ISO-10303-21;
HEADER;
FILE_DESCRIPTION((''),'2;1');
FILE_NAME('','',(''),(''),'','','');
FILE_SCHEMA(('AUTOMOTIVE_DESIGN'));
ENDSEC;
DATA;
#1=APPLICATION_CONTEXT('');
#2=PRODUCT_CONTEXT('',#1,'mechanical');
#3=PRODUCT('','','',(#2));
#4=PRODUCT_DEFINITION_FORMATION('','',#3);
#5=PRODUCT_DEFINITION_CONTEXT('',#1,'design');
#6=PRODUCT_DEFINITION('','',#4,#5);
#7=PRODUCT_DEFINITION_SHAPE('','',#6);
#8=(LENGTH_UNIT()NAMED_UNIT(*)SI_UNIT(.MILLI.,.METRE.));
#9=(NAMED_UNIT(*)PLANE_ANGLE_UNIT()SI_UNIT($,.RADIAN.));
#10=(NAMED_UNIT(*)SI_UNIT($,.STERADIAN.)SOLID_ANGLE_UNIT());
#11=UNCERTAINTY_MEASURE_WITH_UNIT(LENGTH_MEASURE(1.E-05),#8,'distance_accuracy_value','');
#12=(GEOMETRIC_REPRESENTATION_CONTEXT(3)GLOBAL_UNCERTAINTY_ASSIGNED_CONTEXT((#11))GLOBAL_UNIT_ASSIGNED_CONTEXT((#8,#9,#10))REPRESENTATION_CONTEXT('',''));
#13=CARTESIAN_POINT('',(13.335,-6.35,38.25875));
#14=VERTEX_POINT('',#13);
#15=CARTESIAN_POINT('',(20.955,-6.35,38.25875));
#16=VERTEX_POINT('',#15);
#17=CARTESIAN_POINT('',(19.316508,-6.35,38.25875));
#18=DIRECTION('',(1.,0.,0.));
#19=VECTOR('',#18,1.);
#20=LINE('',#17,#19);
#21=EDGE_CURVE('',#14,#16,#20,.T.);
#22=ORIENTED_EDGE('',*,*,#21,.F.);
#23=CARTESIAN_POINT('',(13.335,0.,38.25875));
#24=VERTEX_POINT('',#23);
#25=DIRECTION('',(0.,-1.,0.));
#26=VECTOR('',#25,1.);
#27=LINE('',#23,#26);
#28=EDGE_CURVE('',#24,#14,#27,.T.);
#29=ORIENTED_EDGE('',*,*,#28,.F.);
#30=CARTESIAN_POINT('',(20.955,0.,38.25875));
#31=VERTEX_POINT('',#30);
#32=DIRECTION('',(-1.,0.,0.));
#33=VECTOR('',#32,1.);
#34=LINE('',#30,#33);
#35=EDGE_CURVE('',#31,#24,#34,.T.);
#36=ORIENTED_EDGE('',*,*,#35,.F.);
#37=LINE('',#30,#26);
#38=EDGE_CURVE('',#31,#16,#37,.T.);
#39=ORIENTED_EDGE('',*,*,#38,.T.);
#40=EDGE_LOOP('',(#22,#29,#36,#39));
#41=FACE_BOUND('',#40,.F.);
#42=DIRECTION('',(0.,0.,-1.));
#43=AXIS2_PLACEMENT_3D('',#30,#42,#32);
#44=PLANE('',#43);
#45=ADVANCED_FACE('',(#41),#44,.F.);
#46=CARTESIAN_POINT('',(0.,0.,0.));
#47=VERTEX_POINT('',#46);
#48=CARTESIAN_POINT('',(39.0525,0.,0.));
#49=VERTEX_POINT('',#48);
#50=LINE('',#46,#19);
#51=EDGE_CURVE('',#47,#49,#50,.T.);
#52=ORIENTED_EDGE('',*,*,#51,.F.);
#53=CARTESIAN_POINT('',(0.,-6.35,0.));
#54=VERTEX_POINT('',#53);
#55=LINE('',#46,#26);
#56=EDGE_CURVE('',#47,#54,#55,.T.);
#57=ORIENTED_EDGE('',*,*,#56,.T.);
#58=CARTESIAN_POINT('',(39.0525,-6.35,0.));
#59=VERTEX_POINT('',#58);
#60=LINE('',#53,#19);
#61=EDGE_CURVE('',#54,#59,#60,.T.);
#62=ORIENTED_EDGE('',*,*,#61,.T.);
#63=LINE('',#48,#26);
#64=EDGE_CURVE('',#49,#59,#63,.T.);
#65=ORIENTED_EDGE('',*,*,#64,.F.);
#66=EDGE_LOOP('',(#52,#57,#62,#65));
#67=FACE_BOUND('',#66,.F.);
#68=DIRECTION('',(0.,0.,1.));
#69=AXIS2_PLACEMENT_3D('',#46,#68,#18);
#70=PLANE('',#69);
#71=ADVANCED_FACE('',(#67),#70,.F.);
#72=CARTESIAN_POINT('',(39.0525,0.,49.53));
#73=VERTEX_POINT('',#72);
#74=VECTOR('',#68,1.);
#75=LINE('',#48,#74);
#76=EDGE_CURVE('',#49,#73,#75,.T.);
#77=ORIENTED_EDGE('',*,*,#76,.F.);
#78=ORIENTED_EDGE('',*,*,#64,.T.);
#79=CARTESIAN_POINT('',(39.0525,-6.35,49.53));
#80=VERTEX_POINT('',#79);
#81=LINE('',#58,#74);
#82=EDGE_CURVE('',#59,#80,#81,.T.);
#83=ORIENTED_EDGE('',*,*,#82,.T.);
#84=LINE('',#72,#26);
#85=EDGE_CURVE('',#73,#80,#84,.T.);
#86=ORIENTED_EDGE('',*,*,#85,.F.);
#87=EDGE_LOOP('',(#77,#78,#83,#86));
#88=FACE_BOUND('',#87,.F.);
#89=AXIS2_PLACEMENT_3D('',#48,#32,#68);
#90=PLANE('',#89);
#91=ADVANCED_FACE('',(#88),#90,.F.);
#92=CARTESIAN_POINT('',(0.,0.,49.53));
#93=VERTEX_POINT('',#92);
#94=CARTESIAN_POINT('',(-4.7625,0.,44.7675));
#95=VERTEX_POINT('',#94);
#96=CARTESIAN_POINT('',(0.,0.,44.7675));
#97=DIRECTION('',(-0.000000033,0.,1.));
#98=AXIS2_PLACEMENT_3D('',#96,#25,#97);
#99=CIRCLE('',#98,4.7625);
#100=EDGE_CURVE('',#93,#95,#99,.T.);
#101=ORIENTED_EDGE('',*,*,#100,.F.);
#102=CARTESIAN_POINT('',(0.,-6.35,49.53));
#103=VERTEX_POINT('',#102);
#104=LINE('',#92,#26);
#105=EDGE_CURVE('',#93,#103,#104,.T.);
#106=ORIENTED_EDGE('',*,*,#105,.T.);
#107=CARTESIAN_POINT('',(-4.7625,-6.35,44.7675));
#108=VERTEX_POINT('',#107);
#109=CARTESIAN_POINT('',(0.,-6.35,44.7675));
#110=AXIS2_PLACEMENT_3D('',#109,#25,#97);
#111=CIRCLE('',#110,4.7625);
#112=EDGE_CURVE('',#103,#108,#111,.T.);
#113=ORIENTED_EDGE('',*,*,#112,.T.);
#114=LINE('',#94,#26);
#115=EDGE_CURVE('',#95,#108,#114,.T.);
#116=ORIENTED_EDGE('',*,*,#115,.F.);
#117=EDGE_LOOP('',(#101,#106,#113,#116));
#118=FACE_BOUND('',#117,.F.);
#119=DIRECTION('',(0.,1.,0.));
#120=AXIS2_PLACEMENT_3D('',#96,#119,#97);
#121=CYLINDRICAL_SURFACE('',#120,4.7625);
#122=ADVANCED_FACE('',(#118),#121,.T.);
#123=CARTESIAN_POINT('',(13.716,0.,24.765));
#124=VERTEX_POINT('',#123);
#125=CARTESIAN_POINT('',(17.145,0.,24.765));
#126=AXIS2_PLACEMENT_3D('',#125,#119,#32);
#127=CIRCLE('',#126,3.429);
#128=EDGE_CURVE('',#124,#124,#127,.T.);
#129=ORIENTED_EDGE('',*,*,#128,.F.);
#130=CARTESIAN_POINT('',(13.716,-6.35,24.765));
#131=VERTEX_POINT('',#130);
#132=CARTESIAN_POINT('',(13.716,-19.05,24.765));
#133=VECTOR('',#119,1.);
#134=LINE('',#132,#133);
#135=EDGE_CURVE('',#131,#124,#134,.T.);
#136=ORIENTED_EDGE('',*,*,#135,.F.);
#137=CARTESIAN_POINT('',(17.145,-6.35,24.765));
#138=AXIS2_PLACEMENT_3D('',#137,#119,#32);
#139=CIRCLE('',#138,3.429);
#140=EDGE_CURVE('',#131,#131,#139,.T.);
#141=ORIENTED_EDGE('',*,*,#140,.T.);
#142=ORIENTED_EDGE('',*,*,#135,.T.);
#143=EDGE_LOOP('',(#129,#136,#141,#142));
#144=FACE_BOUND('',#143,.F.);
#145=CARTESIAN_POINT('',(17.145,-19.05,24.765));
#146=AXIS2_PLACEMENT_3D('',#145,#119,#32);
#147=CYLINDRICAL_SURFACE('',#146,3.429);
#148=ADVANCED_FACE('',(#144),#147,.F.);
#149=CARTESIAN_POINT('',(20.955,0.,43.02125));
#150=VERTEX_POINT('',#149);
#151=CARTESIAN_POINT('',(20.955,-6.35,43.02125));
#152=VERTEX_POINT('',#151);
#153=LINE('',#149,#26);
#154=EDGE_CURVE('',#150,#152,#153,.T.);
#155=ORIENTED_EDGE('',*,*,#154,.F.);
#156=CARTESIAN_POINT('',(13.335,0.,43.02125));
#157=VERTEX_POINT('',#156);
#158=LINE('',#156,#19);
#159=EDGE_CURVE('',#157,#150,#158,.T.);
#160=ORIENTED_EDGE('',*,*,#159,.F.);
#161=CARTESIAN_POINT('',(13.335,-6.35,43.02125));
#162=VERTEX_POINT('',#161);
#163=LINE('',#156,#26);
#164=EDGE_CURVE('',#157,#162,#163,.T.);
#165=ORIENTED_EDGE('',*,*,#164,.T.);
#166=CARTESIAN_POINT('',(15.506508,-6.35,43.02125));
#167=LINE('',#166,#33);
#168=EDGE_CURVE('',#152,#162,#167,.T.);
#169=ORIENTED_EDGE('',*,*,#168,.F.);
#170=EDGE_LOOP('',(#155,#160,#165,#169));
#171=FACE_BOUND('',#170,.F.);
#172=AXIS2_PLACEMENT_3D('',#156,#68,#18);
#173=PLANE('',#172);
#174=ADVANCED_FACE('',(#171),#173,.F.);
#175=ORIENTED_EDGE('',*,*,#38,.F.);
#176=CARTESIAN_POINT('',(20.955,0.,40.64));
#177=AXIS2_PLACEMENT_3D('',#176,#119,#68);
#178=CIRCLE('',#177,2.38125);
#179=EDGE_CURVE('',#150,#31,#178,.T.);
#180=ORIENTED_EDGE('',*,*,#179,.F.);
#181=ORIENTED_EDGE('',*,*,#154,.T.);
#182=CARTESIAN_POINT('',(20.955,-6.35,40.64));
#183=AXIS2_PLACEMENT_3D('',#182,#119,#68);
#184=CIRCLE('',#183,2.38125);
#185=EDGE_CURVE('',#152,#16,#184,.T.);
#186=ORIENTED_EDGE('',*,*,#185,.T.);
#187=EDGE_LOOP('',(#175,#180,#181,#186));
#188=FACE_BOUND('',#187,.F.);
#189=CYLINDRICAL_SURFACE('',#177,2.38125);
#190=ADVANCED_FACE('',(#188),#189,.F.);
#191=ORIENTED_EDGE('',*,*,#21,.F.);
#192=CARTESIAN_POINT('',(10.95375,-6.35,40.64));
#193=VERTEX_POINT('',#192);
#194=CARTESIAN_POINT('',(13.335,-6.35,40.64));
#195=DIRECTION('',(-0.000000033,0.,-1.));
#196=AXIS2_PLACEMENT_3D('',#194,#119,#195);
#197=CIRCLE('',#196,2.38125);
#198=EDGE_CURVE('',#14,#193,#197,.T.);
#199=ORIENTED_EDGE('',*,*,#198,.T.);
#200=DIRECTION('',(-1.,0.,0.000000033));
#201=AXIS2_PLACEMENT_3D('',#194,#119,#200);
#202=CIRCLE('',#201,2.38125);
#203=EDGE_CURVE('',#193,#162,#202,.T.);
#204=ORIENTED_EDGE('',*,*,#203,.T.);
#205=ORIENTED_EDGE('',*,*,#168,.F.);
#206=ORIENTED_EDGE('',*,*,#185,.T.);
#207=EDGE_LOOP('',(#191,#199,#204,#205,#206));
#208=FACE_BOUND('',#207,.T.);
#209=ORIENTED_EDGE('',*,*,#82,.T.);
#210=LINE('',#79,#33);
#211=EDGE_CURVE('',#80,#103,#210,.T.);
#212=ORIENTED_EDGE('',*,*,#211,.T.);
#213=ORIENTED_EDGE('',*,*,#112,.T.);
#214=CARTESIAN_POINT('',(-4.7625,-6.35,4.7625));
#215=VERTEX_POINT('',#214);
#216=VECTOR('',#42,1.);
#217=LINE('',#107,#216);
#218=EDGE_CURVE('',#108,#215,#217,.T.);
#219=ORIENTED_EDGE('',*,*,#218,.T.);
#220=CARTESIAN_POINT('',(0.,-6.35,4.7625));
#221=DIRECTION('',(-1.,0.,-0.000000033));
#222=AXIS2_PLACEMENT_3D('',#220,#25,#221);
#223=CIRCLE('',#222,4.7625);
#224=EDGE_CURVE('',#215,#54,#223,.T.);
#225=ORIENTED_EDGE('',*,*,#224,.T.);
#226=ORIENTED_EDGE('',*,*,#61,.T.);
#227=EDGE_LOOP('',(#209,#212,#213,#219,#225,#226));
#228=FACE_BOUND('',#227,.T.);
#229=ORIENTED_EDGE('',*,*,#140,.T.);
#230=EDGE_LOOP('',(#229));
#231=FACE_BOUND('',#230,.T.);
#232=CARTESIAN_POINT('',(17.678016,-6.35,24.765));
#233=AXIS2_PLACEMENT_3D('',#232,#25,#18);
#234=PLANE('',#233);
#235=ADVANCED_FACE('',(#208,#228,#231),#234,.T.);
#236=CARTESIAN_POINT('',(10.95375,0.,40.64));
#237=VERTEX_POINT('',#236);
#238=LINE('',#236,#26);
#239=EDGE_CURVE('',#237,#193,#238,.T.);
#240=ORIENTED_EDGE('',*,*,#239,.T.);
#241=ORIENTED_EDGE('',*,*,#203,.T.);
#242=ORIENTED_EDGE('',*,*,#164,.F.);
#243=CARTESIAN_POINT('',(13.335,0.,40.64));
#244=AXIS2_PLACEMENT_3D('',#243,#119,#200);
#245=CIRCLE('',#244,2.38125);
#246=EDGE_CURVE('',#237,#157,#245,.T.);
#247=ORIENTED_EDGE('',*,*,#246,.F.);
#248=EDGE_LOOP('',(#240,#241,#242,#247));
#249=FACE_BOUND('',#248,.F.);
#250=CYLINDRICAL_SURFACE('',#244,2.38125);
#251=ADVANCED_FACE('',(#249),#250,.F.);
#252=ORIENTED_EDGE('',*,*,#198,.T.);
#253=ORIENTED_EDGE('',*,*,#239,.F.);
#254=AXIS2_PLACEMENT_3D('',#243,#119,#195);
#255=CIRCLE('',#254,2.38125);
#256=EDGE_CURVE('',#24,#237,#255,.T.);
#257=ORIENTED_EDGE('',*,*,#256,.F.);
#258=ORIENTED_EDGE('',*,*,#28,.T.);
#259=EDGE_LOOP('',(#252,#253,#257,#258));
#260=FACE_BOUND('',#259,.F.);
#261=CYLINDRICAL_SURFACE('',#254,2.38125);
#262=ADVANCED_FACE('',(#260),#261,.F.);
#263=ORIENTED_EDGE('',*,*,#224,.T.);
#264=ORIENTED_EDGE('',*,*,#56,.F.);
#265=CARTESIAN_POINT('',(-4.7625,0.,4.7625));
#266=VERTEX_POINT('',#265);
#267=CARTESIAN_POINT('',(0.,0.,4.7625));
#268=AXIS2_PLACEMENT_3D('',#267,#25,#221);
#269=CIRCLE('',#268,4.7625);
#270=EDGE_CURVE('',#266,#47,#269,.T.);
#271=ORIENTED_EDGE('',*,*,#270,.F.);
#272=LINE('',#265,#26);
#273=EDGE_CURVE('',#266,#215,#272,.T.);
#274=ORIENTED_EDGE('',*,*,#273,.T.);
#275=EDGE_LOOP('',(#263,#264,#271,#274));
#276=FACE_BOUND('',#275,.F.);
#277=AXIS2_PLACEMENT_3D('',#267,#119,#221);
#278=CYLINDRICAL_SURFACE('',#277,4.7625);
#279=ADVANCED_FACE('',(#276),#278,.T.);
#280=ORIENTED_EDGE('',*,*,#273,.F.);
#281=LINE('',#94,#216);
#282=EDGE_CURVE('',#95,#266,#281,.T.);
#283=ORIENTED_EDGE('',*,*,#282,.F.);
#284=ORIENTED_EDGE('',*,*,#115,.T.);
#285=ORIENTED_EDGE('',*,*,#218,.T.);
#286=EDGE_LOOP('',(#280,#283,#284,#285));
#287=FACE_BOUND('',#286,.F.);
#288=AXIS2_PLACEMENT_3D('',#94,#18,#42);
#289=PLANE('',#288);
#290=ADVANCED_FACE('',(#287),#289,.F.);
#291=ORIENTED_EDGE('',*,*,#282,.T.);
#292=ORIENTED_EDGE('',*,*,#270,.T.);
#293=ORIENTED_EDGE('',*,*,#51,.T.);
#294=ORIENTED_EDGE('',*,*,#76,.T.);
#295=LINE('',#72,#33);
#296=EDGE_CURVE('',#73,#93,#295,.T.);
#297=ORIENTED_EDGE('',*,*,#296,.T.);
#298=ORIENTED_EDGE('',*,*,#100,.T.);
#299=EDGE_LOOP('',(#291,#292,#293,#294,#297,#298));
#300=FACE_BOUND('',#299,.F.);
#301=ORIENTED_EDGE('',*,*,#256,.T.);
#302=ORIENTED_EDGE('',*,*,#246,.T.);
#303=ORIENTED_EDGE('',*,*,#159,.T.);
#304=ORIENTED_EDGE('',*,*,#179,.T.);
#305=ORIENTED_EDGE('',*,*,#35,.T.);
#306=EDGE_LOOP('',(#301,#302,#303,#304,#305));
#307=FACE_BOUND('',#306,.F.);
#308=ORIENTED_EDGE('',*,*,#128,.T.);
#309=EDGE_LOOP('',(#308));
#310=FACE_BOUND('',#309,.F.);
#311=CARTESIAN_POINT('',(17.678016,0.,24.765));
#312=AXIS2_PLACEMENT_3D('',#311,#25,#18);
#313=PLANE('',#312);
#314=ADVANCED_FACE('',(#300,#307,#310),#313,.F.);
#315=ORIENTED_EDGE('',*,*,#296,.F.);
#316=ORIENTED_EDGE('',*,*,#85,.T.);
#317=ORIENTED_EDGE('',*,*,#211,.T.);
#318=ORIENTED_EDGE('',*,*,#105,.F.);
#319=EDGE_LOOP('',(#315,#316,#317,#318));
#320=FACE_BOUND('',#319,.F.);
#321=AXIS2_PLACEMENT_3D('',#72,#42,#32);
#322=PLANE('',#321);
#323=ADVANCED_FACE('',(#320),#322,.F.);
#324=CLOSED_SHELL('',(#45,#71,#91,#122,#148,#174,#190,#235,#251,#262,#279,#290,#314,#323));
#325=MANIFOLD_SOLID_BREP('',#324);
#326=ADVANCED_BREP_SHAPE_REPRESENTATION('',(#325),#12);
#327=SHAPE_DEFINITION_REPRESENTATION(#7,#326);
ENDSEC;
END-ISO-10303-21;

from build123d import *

# Parameters (mm, degrees)
F1_DEPTH = 6.35
F3_D     = 6.858
F3_DEPTH = 12.7
F5_DEPTH = 25.4


with BuildPart() as f1:
    # F0 (on Front) → F1 (new body)
    with BuildSketch(Plane.XZ):
        with BuildLine():
            ThreePointArc((0, 49.53), (-3.367596, 48.135096), (-4.7625, 44.7675))
            Line((-4.7625, 44.7675), (-4.7625, 4.7625))
            ThreePointArc((-4.7625, 4.7625), (-3.367596, 1.394904), (0, 0))
            Line((0, 0), (39.0525, 0))
            Line((39.0525, 0), (39.0525, 3.175))
            Line((39.0525, 3.175), (39.0525, 14.2875))
            Line((39.0525, 14.2875), (39.0525, 35.2425))
            Line((39.0525, 35.2425), (39.0525, 46.355))
            Line((39.0525, 46.355), (39.0525, 49.53))
            Line((39.0525, 49.53), (0, 49.53))
        make_face()
    extrude(amount=F1_DEPTH)

    # F3
    with Locations(Plane.XZ.offset(6.35)):
        with Locations((17.145, 24.765)):
            Hole(F3_D / 2, depth=F3_DEPTH)

    # F4 (on face) → F5 (cut)
    with BuildSketch(Plane(origin=(0, 0, 0), x_dir=(-1, 0, 0), z_dir=(0, 1, 0))):
        with BuildLine():
            ThreePointArc((-20.955, 43.02125), (-19.271202, 42.323798), (-18.57375, 40.64))
            ThreePointArc((-18.57375, 40.64), (-19.271202, 38.956202), (-20.955, 38.25875))
            Line((-20.955, 38.25875), (-13.335, 38.25875))
            ThreePointArc((-13.335, 38.25875), (-15.71625, 40.64), (-13.335, 43.02125))
            Line((-13.335, 43.02125), (-20.955, 43.02125))
        make_face()
        with BuildLine():
            ThreePointArc((-20.955, 38.25875), (-19.271202, 38.956202), (-18.57375, 40.64))
            ThreePointArc((-18.57375, 40.64), (-19.271202, 42.323798), (-20.955, 43.02125))
            ThreePointArc((-20.955, 43.02125), (-23.33625, 40.64), (-20.955, 38.25875))
        make_face()
        with BuildLine():
            ThreePointArc((-10.95375, 40.64), (-11.651202, 42.323798), (-13.335, 43.02125))
            ThreePointArc((-13.335, 43.02125), (-15.71625, 40.64), (-13.335, 38.25875))
            ThreePointArc((-13.335, 38.25875), (-11.651202, 38.956202), (-10.95375, 40.64))
        make_face()
    extrude(amount=-F5_DEPTH, mode=Mode.SUBTRACT)


solid = f1.part
